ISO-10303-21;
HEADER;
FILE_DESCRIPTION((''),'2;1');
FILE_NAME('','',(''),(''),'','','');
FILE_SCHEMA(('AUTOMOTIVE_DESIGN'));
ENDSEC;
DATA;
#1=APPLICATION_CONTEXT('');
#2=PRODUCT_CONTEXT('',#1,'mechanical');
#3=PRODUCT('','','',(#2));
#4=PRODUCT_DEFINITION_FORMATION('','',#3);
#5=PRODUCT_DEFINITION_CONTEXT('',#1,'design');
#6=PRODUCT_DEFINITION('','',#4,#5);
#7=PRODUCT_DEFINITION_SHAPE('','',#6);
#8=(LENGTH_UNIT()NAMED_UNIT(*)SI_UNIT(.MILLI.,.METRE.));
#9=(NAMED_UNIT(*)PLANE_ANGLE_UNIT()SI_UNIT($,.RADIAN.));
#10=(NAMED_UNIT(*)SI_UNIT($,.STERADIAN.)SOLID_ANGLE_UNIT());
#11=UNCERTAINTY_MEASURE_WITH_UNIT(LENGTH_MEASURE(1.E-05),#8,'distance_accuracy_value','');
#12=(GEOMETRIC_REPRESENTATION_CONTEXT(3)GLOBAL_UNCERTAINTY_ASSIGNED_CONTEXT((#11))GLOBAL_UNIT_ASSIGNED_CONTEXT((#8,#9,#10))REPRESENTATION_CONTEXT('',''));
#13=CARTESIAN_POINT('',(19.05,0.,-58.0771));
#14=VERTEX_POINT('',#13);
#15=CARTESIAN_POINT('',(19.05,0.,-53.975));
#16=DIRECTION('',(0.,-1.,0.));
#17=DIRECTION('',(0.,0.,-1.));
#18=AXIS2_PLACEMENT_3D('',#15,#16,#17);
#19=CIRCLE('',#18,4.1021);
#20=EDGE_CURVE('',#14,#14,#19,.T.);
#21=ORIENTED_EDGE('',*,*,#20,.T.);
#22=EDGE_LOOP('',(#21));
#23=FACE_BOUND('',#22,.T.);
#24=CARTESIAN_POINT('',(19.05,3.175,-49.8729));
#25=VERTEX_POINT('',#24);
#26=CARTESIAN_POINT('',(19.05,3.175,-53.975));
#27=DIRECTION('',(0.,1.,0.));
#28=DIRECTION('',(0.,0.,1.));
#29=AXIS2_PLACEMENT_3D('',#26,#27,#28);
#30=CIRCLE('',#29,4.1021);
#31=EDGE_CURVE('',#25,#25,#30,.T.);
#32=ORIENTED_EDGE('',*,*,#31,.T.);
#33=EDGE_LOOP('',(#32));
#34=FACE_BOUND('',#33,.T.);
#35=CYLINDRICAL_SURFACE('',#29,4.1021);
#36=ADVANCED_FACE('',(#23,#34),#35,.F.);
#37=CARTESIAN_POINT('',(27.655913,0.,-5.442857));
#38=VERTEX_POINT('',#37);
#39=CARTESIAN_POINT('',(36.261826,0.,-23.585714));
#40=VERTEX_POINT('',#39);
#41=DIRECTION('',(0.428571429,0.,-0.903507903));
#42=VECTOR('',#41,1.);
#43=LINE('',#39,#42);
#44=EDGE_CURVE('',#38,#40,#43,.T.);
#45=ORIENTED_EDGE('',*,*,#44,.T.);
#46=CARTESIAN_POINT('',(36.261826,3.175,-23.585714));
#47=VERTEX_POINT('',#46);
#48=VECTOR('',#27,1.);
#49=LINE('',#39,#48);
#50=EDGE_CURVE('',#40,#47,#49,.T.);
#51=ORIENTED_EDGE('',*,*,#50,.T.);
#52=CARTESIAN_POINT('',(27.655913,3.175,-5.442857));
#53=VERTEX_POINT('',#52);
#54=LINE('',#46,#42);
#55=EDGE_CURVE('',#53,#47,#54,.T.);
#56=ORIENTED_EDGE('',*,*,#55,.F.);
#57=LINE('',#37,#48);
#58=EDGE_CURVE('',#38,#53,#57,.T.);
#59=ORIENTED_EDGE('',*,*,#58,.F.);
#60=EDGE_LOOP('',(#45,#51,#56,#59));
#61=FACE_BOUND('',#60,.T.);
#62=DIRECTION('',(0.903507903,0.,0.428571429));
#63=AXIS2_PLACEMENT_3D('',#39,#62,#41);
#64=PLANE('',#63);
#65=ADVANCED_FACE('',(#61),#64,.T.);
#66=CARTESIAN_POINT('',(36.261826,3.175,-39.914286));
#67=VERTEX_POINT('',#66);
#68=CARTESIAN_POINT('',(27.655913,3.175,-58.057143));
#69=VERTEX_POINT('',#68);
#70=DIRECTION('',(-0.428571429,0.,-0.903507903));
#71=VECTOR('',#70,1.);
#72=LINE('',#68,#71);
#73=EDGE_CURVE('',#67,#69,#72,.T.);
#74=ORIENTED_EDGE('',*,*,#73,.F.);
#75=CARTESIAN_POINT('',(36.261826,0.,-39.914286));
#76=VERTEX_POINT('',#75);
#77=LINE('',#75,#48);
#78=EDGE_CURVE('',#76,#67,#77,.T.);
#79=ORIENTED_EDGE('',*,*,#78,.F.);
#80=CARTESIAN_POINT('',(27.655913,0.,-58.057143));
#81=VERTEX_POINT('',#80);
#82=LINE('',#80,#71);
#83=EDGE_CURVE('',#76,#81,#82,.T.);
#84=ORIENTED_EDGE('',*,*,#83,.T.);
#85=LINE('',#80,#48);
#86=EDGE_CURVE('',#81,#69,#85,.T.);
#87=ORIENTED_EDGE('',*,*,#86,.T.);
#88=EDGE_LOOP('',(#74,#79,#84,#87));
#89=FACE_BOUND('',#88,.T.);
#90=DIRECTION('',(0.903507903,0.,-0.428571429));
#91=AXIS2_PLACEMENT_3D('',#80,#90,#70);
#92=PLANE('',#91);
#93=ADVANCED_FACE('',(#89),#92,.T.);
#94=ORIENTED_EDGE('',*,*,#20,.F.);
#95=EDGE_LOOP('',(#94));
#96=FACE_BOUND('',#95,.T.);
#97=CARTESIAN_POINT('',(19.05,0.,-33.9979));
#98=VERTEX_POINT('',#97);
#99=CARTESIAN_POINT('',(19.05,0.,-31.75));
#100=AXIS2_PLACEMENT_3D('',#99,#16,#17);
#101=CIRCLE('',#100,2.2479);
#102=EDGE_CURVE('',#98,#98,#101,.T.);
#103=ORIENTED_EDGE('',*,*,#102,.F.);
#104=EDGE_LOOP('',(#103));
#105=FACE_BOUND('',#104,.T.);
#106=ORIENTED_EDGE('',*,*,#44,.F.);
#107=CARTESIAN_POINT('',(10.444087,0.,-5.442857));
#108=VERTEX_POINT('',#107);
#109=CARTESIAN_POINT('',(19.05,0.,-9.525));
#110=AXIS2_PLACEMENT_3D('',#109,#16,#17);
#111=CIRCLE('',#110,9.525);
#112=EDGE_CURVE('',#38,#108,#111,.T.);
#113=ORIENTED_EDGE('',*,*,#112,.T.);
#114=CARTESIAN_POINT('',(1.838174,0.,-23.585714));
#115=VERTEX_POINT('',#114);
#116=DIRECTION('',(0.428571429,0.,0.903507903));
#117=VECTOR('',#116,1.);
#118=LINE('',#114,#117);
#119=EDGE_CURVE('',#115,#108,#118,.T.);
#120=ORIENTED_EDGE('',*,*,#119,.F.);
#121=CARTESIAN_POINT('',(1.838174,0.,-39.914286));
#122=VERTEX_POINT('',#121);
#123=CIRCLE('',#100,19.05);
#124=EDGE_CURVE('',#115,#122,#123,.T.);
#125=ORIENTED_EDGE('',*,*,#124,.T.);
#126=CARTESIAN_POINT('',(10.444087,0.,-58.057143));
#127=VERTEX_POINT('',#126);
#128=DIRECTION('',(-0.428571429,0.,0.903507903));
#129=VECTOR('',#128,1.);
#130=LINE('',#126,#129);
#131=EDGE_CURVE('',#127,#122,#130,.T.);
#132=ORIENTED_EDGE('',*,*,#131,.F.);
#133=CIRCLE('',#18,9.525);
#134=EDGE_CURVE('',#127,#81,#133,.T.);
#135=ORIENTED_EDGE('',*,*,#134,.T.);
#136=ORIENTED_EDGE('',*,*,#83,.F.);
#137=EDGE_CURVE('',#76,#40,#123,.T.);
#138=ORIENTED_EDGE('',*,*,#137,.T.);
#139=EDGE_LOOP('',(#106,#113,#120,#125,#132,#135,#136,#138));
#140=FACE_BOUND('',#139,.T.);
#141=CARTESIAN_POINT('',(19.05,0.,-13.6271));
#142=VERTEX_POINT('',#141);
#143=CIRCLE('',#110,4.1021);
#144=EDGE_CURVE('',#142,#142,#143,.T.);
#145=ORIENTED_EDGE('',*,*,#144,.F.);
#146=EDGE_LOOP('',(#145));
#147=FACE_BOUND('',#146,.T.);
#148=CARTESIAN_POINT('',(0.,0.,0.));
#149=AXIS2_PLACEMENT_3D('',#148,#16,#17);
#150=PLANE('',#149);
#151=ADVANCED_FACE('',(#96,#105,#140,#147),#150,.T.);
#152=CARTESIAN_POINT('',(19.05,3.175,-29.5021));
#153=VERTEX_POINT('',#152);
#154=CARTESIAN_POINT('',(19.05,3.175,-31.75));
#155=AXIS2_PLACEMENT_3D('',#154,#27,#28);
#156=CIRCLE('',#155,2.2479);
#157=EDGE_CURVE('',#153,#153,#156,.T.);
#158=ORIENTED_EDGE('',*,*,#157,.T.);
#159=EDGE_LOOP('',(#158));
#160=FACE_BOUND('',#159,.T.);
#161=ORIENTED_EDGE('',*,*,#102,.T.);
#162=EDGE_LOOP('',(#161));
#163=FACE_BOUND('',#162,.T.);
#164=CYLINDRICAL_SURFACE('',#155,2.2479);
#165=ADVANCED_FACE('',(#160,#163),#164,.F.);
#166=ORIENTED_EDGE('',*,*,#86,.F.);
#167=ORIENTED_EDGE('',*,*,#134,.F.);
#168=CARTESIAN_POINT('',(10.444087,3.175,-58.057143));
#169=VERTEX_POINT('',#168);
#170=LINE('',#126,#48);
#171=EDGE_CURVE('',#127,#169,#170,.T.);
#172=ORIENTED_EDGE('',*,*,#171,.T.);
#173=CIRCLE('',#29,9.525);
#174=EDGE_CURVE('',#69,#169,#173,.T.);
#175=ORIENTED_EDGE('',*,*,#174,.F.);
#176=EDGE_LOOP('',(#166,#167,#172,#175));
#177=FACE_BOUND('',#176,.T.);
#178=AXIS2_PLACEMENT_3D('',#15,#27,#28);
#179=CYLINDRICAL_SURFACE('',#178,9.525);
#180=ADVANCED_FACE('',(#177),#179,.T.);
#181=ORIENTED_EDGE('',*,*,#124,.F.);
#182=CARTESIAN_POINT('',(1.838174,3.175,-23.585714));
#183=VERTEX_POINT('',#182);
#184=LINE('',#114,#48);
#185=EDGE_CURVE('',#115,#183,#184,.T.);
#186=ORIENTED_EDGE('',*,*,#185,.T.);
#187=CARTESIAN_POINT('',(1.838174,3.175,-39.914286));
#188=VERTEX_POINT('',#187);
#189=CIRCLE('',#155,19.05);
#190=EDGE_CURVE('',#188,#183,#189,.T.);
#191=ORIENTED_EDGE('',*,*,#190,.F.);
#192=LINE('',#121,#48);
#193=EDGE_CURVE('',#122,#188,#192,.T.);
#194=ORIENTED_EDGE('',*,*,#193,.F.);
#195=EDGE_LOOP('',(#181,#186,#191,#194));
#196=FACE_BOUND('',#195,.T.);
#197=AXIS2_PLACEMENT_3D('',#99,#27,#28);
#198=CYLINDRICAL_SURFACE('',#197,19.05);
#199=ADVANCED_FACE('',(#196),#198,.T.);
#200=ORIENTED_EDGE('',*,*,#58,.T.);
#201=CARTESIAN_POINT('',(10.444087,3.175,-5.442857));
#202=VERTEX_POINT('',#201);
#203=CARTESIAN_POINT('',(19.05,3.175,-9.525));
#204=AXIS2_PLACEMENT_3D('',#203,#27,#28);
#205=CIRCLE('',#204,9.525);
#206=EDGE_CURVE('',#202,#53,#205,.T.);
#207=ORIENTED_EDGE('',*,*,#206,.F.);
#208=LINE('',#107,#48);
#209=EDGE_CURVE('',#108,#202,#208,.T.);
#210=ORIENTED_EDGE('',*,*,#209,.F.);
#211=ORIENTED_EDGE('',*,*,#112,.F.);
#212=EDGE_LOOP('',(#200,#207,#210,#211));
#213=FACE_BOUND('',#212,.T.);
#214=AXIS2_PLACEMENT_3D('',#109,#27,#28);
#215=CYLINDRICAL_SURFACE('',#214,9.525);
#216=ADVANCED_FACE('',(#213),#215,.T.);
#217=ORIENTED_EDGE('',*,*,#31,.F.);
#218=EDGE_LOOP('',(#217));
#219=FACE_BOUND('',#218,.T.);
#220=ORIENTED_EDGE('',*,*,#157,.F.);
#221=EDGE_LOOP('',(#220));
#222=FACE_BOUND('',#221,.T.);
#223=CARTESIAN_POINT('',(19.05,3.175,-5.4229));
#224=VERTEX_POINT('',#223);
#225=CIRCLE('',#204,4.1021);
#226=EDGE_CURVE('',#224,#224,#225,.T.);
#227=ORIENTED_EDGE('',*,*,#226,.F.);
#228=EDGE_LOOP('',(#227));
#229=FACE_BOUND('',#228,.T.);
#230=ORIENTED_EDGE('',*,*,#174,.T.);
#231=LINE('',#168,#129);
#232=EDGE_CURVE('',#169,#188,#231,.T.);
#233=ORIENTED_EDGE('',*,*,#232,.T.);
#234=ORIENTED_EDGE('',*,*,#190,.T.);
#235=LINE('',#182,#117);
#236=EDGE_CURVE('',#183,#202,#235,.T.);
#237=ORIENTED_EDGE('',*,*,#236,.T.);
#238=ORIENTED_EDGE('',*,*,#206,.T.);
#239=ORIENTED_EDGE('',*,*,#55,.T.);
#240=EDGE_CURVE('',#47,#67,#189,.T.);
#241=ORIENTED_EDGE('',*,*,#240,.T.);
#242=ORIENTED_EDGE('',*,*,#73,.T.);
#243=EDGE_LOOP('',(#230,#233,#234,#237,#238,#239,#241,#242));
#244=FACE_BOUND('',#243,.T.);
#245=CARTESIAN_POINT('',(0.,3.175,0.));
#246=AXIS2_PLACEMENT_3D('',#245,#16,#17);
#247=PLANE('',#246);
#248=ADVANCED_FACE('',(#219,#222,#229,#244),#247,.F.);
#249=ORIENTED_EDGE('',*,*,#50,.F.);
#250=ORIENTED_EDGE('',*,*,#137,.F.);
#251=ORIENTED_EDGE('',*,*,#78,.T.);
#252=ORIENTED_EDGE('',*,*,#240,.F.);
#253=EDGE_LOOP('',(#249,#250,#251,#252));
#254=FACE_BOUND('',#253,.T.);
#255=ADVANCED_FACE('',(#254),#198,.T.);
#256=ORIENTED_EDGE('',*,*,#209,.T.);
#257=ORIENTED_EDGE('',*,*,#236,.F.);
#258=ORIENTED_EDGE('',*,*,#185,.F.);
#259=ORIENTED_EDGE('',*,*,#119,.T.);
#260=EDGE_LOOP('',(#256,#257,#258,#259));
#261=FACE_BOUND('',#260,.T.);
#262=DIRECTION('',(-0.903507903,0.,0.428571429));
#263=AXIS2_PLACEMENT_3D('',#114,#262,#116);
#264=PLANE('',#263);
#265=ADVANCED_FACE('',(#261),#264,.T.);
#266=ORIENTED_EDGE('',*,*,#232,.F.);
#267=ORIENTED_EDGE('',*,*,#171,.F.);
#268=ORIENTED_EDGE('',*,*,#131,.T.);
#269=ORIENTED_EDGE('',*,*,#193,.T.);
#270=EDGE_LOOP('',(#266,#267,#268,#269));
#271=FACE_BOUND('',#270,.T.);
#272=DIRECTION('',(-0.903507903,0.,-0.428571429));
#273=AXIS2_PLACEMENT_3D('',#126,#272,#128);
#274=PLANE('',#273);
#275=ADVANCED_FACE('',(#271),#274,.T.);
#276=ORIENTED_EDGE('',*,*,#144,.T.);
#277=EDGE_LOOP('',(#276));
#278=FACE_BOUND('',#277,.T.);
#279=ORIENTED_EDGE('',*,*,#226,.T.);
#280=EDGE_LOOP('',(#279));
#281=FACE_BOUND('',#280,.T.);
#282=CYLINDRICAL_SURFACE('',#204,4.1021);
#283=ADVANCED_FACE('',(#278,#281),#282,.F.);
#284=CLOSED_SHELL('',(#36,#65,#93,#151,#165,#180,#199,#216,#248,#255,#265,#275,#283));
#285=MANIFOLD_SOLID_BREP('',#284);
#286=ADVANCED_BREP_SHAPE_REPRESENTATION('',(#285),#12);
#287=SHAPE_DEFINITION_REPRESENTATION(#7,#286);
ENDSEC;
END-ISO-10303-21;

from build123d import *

# Parameters (mm, degrees)
SKETCH1_W                = 38.1
SKETCH1_H                = 63.5
BOSS_EXTRUDE1_DEPTH      = 3.175
F_8_CLEARANCE_HOLE1_D    = 4.4958
F_5_16_CLEARANCE_HOLE1_D = 8.2042
SKETCH6_W                = 40.64
SKETCH6_H                = 66.04
CUT_EXTRUDE1_DEPTH       = 3.175


with BuildPart() as part:
    # Sketch1 → Boss-Extrude1 (new body)
    with BuildSketch(Plane(origin=(0, 0, 0), x_dir=(1, 0, 0), z_dir=(0, 1, 0))):
        with Locations((19.05, 31.75)):
            Rectangle(SKETCH1_W, SKETCH1_H)
    extrude(amount=BOSS_EXTRUDE1_DEPTH)

    # #8 Clearance Hole1 (through all)
    with Locations(Plane(origin=(0, 3.175, 0), x_dir=(1, 0, 0), z_dir=(0, 1, 0))):
        with Locations((19.05, 31.75)):
            Hole(F_8_CLEARANCE_HOLE1_D / 2)

    # 5/16 Clearance Hole1 (through all)
    with Locations(Plane(origin=(0, 3.175, 0), x_dir=(1, 0, 0), z_dir=(0, 1, 0))):
        with Locations((19.05, 9.525), (19.05, 53.975)):
            Hole(F_5_16_CLEARANCE_HOLE1_D / 2)

    # Sketch6 → Cut-Extrude1 (cut)
    with BuildSketch(Plane(origin=(0, 3.175, 0), x_dir=(1, 0, 0), z_dir=(0, 1, 0))):
        with Locations((19.05, 31.75)):
            Rectangle(SKETCH6_W, SKETCH6_H)
        with BuildLine():
            Line((27.655912775, 58.057142857), (36.26182555, 39.914285714))
            ThreePointArc((36.26182555, 39.914285714), (38.1, 31.75), (36.26182555, 23.585714286))
            Line((36.26182555, 23.585714286), (27.655912775, 5.442857143))
            ThreePointArc((27.655912775, 5.442857143), (19.05, 0), (10.444087225, 5.442857143))
            Line((10.444087225, 5.442857143), (1.83817445, 23.585714286))
            ThreePointArc((1.83817445, 23.585714286), (0, 31.75), (1.83817445, 39.914285714))
            Line((1.83817445, 39.914285714), (10.444087225, 58.057142857))
            ThreePointArc((10.444087225, 58.057142857), (19.05, 63.5), (27.655912775, 58.057142857))
        make_face(mode=Mode.SUBTRACT)
    extrude(amount=-CUT_EXTRUDE1_DEPTH, mode=Mode.SUBTRACT)


solid = part.part
